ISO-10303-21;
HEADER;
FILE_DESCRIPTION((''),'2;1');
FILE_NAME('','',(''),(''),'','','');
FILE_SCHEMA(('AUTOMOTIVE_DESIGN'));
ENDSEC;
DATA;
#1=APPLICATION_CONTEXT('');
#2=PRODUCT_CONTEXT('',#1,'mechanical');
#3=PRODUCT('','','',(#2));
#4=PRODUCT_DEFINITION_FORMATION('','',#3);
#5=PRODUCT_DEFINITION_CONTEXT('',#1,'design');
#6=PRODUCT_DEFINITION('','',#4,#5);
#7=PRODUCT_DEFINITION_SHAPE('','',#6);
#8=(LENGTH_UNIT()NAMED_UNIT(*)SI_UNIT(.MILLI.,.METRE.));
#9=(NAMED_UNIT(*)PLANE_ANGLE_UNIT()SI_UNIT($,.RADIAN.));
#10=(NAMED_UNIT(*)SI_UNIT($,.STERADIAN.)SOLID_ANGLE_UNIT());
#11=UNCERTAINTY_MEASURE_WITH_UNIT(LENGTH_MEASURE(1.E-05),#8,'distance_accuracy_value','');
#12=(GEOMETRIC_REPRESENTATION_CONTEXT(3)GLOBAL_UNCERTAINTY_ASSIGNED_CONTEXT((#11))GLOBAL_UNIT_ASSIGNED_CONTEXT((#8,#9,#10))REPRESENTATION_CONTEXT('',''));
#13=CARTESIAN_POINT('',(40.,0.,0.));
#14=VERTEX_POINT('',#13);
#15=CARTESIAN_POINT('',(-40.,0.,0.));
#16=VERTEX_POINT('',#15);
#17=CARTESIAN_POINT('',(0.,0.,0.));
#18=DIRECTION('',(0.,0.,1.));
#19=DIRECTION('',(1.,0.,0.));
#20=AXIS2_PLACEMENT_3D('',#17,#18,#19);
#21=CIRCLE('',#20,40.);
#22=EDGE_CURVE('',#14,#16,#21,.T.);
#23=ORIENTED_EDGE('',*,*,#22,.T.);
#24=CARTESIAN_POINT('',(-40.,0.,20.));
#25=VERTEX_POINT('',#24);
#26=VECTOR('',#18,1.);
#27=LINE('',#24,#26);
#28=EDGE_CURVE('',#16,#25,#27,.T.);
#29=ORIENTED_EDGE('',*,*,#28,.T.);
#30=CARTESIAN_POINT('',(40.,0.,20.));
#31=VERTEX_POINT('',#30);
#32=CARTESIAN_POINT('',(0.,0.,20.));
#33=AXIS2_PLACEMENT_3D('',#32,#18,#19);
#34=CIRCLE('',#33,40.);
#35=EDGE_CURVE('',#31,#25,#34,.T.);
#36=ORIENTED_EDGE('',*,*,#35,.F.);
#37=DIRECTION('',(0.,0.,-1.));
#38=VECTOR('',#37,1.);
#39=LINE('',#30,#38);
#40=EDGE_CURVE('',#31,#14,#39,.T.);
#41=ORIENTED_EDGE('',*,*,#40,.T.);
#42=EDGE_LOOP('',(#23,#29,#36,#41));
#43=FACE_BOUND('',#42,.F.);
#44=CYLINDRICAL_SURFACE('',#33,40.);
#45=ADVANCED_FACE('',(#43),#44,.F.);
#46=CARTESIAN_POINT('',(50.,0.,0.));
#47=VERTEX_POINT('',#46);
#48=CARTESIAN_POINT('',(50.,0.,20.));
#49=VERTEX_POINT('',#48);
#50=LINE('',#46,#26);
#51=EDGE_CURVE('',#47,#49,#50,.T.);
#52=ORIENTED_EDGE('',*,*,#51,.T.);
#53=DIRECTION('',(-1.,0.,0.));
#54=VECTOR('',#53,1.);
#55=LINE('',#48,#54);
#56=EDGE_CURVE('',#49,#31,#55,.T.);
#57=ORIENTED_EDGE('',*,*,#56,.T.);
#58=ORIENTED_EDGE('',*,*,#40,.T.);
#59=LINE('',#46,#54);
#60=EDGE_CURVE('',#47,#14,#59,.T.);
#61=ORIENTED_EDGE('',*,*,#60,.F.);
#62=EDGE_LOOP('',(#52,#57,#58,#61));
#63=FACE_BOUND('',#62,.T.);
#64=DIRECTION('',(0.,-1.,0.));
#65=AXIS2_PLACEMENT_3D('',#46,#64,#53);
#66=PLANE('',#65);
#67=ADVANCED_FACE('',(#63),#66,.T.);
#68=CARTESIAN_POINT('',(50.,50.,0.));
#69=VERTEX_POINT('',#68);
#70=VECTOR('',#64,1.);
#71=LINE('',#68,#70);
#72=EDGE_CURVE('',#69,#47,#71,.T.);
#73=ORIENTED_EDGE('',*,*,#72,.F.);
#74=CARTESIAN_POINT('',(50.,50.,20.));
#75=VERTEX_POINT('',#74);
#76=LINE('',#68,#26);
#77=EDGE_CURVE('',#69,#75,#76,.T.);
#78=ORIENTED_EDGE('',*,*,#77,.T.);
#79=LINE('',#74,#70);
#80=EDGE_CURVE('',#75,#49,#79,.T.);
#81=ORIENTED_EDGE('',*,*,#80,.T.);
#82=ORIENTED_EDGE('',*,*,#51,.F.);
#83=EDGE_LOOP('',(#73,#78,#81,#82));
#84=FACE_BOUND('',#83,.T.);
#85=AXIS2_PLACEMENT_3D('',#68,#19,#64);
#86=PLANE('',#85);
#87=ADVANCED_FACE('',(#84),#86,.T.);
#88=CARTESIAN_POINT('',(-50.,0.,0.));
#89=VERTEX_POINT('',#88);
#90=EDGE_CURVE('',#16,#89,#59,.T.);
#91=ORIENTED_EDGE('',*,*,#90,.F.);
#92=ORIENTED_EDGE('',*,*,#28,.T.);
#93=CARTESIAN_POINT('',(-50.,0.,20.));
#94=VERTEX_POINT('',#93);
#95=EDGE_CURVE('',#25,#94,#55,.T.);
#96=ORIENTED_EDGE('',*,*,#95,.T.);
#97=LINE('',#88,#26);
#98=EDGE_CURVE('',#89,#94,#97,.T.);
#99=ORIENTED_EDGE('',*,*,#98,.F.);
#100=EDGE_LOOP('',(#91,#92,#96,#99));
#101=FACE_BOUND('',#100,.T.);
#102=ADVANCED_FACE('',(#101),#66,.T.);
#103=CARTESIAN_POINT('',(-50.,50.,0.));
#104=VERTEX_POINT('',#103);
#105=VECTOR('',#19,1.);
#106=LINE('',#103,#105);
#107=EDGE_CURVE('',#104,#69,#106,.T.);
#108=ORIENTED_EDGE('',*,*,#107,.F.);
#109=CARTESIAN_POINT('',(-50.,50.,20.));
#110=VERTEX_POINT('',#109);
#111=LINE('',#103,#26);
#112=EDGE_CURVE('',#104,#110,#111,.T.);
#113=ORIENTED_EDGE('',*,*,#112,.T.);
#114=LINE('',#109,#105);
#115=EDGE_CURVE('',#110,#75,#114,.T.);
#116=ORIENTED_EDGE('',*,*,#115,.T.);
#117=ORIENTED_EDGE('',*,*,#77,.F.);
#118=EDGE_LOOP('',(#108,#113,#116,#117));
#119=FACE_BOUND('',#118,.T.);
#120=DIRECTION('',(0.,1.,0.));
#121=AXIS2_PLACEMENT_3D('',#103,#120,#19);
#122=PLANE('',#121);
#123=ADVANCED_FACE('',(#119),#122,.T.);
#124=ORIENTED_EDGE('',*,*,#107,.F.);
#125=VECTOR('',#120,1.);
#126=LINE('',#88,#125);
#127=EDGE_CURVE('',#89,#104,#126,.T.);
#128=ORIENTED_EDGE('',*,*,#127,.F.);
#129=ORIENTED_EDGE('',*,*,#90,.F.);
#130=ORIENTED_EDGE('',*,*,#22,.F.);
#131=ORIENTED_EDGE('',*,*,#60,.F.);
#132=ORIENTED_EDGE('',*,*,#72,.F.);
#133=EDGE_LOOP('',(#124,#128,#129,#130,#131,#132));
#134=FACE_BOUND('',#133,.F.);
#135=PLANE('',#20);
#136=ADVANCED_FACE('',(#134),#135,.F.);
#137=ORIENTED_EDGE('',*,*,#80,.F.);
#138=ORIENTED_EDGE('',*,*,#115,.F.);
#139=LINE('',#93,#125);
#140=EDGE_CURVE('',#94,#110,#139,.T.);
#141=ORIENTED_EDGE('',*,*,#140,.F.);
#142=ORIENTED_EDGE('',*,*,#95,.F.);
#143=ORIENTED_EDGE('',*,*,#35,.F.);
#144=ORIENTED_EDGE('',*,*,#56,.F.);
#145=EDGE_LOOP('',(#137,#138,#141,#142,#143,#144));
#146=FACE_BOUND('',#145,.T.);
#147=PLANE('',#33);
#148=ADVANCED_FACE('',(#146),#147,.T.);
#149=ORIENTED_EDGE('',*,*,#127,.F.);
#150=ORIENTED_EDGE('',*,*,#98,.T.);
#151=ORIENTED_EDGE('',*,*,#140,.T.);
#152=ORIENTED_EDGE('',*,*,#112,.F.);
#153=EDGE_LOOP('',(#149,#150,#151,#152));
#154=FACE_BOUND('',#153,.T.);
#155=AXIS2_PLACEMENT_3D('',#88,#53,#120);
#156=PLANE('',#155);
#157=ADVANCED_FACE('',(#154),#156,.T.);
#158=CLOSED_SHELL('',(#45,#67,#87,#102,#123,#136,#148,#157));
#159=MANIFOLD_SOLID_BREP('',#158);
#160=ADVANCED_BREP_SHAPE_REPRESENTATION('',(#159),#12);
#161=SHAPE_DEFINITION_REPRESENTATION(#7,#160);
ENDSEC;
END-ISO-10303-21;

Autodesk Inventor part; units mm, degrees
ref_plane "YZ Plane" through (0, 0, 0) normal (1, 0, 0) x (0, 1, 0)
ref_plane "XZ Plane" through (0, 0, 0) normal (0, 1, 0) x (-1, 0, 0)
ref_plane "XY Plane" through (0, 0, 0) normal (0, 0, 1) x (1, 0, 0)
sketch "Sketch13" plane through (0, 0, 0) normal (0, 0, 1) x (1, 0, 0)
  line L0 (-50, 50) -> (50, 50)
  line L1 (50, 50) -> (50, 0)
  line L2 (50, 0) -> (-50, 0)
  line L3 (-50, 0) -> (-50, 50)
  line L4 (-50, 50) -> (50, 0) construction
  line L5 (50, 50) -> (-50, 0) construction
  point P0 (0, 0)
  point P1 (0, 25)
  dimension "d42" = 100
  dimension "d43" = 50
extrude "Extrusion11" add sketch "Sketch13" along normal blind 20
sketch "Sketch14" plane through (0, 0, 20) normal (0, 0, 1) x (1, 0, 0)
  circle A0 centre (0, 0) radius 40
  dimension "d46" = 80
extrude "Extrusion12" cut sketch "Sketch14" against normal blind 20
properties part number "fixation_pipe_v01"
